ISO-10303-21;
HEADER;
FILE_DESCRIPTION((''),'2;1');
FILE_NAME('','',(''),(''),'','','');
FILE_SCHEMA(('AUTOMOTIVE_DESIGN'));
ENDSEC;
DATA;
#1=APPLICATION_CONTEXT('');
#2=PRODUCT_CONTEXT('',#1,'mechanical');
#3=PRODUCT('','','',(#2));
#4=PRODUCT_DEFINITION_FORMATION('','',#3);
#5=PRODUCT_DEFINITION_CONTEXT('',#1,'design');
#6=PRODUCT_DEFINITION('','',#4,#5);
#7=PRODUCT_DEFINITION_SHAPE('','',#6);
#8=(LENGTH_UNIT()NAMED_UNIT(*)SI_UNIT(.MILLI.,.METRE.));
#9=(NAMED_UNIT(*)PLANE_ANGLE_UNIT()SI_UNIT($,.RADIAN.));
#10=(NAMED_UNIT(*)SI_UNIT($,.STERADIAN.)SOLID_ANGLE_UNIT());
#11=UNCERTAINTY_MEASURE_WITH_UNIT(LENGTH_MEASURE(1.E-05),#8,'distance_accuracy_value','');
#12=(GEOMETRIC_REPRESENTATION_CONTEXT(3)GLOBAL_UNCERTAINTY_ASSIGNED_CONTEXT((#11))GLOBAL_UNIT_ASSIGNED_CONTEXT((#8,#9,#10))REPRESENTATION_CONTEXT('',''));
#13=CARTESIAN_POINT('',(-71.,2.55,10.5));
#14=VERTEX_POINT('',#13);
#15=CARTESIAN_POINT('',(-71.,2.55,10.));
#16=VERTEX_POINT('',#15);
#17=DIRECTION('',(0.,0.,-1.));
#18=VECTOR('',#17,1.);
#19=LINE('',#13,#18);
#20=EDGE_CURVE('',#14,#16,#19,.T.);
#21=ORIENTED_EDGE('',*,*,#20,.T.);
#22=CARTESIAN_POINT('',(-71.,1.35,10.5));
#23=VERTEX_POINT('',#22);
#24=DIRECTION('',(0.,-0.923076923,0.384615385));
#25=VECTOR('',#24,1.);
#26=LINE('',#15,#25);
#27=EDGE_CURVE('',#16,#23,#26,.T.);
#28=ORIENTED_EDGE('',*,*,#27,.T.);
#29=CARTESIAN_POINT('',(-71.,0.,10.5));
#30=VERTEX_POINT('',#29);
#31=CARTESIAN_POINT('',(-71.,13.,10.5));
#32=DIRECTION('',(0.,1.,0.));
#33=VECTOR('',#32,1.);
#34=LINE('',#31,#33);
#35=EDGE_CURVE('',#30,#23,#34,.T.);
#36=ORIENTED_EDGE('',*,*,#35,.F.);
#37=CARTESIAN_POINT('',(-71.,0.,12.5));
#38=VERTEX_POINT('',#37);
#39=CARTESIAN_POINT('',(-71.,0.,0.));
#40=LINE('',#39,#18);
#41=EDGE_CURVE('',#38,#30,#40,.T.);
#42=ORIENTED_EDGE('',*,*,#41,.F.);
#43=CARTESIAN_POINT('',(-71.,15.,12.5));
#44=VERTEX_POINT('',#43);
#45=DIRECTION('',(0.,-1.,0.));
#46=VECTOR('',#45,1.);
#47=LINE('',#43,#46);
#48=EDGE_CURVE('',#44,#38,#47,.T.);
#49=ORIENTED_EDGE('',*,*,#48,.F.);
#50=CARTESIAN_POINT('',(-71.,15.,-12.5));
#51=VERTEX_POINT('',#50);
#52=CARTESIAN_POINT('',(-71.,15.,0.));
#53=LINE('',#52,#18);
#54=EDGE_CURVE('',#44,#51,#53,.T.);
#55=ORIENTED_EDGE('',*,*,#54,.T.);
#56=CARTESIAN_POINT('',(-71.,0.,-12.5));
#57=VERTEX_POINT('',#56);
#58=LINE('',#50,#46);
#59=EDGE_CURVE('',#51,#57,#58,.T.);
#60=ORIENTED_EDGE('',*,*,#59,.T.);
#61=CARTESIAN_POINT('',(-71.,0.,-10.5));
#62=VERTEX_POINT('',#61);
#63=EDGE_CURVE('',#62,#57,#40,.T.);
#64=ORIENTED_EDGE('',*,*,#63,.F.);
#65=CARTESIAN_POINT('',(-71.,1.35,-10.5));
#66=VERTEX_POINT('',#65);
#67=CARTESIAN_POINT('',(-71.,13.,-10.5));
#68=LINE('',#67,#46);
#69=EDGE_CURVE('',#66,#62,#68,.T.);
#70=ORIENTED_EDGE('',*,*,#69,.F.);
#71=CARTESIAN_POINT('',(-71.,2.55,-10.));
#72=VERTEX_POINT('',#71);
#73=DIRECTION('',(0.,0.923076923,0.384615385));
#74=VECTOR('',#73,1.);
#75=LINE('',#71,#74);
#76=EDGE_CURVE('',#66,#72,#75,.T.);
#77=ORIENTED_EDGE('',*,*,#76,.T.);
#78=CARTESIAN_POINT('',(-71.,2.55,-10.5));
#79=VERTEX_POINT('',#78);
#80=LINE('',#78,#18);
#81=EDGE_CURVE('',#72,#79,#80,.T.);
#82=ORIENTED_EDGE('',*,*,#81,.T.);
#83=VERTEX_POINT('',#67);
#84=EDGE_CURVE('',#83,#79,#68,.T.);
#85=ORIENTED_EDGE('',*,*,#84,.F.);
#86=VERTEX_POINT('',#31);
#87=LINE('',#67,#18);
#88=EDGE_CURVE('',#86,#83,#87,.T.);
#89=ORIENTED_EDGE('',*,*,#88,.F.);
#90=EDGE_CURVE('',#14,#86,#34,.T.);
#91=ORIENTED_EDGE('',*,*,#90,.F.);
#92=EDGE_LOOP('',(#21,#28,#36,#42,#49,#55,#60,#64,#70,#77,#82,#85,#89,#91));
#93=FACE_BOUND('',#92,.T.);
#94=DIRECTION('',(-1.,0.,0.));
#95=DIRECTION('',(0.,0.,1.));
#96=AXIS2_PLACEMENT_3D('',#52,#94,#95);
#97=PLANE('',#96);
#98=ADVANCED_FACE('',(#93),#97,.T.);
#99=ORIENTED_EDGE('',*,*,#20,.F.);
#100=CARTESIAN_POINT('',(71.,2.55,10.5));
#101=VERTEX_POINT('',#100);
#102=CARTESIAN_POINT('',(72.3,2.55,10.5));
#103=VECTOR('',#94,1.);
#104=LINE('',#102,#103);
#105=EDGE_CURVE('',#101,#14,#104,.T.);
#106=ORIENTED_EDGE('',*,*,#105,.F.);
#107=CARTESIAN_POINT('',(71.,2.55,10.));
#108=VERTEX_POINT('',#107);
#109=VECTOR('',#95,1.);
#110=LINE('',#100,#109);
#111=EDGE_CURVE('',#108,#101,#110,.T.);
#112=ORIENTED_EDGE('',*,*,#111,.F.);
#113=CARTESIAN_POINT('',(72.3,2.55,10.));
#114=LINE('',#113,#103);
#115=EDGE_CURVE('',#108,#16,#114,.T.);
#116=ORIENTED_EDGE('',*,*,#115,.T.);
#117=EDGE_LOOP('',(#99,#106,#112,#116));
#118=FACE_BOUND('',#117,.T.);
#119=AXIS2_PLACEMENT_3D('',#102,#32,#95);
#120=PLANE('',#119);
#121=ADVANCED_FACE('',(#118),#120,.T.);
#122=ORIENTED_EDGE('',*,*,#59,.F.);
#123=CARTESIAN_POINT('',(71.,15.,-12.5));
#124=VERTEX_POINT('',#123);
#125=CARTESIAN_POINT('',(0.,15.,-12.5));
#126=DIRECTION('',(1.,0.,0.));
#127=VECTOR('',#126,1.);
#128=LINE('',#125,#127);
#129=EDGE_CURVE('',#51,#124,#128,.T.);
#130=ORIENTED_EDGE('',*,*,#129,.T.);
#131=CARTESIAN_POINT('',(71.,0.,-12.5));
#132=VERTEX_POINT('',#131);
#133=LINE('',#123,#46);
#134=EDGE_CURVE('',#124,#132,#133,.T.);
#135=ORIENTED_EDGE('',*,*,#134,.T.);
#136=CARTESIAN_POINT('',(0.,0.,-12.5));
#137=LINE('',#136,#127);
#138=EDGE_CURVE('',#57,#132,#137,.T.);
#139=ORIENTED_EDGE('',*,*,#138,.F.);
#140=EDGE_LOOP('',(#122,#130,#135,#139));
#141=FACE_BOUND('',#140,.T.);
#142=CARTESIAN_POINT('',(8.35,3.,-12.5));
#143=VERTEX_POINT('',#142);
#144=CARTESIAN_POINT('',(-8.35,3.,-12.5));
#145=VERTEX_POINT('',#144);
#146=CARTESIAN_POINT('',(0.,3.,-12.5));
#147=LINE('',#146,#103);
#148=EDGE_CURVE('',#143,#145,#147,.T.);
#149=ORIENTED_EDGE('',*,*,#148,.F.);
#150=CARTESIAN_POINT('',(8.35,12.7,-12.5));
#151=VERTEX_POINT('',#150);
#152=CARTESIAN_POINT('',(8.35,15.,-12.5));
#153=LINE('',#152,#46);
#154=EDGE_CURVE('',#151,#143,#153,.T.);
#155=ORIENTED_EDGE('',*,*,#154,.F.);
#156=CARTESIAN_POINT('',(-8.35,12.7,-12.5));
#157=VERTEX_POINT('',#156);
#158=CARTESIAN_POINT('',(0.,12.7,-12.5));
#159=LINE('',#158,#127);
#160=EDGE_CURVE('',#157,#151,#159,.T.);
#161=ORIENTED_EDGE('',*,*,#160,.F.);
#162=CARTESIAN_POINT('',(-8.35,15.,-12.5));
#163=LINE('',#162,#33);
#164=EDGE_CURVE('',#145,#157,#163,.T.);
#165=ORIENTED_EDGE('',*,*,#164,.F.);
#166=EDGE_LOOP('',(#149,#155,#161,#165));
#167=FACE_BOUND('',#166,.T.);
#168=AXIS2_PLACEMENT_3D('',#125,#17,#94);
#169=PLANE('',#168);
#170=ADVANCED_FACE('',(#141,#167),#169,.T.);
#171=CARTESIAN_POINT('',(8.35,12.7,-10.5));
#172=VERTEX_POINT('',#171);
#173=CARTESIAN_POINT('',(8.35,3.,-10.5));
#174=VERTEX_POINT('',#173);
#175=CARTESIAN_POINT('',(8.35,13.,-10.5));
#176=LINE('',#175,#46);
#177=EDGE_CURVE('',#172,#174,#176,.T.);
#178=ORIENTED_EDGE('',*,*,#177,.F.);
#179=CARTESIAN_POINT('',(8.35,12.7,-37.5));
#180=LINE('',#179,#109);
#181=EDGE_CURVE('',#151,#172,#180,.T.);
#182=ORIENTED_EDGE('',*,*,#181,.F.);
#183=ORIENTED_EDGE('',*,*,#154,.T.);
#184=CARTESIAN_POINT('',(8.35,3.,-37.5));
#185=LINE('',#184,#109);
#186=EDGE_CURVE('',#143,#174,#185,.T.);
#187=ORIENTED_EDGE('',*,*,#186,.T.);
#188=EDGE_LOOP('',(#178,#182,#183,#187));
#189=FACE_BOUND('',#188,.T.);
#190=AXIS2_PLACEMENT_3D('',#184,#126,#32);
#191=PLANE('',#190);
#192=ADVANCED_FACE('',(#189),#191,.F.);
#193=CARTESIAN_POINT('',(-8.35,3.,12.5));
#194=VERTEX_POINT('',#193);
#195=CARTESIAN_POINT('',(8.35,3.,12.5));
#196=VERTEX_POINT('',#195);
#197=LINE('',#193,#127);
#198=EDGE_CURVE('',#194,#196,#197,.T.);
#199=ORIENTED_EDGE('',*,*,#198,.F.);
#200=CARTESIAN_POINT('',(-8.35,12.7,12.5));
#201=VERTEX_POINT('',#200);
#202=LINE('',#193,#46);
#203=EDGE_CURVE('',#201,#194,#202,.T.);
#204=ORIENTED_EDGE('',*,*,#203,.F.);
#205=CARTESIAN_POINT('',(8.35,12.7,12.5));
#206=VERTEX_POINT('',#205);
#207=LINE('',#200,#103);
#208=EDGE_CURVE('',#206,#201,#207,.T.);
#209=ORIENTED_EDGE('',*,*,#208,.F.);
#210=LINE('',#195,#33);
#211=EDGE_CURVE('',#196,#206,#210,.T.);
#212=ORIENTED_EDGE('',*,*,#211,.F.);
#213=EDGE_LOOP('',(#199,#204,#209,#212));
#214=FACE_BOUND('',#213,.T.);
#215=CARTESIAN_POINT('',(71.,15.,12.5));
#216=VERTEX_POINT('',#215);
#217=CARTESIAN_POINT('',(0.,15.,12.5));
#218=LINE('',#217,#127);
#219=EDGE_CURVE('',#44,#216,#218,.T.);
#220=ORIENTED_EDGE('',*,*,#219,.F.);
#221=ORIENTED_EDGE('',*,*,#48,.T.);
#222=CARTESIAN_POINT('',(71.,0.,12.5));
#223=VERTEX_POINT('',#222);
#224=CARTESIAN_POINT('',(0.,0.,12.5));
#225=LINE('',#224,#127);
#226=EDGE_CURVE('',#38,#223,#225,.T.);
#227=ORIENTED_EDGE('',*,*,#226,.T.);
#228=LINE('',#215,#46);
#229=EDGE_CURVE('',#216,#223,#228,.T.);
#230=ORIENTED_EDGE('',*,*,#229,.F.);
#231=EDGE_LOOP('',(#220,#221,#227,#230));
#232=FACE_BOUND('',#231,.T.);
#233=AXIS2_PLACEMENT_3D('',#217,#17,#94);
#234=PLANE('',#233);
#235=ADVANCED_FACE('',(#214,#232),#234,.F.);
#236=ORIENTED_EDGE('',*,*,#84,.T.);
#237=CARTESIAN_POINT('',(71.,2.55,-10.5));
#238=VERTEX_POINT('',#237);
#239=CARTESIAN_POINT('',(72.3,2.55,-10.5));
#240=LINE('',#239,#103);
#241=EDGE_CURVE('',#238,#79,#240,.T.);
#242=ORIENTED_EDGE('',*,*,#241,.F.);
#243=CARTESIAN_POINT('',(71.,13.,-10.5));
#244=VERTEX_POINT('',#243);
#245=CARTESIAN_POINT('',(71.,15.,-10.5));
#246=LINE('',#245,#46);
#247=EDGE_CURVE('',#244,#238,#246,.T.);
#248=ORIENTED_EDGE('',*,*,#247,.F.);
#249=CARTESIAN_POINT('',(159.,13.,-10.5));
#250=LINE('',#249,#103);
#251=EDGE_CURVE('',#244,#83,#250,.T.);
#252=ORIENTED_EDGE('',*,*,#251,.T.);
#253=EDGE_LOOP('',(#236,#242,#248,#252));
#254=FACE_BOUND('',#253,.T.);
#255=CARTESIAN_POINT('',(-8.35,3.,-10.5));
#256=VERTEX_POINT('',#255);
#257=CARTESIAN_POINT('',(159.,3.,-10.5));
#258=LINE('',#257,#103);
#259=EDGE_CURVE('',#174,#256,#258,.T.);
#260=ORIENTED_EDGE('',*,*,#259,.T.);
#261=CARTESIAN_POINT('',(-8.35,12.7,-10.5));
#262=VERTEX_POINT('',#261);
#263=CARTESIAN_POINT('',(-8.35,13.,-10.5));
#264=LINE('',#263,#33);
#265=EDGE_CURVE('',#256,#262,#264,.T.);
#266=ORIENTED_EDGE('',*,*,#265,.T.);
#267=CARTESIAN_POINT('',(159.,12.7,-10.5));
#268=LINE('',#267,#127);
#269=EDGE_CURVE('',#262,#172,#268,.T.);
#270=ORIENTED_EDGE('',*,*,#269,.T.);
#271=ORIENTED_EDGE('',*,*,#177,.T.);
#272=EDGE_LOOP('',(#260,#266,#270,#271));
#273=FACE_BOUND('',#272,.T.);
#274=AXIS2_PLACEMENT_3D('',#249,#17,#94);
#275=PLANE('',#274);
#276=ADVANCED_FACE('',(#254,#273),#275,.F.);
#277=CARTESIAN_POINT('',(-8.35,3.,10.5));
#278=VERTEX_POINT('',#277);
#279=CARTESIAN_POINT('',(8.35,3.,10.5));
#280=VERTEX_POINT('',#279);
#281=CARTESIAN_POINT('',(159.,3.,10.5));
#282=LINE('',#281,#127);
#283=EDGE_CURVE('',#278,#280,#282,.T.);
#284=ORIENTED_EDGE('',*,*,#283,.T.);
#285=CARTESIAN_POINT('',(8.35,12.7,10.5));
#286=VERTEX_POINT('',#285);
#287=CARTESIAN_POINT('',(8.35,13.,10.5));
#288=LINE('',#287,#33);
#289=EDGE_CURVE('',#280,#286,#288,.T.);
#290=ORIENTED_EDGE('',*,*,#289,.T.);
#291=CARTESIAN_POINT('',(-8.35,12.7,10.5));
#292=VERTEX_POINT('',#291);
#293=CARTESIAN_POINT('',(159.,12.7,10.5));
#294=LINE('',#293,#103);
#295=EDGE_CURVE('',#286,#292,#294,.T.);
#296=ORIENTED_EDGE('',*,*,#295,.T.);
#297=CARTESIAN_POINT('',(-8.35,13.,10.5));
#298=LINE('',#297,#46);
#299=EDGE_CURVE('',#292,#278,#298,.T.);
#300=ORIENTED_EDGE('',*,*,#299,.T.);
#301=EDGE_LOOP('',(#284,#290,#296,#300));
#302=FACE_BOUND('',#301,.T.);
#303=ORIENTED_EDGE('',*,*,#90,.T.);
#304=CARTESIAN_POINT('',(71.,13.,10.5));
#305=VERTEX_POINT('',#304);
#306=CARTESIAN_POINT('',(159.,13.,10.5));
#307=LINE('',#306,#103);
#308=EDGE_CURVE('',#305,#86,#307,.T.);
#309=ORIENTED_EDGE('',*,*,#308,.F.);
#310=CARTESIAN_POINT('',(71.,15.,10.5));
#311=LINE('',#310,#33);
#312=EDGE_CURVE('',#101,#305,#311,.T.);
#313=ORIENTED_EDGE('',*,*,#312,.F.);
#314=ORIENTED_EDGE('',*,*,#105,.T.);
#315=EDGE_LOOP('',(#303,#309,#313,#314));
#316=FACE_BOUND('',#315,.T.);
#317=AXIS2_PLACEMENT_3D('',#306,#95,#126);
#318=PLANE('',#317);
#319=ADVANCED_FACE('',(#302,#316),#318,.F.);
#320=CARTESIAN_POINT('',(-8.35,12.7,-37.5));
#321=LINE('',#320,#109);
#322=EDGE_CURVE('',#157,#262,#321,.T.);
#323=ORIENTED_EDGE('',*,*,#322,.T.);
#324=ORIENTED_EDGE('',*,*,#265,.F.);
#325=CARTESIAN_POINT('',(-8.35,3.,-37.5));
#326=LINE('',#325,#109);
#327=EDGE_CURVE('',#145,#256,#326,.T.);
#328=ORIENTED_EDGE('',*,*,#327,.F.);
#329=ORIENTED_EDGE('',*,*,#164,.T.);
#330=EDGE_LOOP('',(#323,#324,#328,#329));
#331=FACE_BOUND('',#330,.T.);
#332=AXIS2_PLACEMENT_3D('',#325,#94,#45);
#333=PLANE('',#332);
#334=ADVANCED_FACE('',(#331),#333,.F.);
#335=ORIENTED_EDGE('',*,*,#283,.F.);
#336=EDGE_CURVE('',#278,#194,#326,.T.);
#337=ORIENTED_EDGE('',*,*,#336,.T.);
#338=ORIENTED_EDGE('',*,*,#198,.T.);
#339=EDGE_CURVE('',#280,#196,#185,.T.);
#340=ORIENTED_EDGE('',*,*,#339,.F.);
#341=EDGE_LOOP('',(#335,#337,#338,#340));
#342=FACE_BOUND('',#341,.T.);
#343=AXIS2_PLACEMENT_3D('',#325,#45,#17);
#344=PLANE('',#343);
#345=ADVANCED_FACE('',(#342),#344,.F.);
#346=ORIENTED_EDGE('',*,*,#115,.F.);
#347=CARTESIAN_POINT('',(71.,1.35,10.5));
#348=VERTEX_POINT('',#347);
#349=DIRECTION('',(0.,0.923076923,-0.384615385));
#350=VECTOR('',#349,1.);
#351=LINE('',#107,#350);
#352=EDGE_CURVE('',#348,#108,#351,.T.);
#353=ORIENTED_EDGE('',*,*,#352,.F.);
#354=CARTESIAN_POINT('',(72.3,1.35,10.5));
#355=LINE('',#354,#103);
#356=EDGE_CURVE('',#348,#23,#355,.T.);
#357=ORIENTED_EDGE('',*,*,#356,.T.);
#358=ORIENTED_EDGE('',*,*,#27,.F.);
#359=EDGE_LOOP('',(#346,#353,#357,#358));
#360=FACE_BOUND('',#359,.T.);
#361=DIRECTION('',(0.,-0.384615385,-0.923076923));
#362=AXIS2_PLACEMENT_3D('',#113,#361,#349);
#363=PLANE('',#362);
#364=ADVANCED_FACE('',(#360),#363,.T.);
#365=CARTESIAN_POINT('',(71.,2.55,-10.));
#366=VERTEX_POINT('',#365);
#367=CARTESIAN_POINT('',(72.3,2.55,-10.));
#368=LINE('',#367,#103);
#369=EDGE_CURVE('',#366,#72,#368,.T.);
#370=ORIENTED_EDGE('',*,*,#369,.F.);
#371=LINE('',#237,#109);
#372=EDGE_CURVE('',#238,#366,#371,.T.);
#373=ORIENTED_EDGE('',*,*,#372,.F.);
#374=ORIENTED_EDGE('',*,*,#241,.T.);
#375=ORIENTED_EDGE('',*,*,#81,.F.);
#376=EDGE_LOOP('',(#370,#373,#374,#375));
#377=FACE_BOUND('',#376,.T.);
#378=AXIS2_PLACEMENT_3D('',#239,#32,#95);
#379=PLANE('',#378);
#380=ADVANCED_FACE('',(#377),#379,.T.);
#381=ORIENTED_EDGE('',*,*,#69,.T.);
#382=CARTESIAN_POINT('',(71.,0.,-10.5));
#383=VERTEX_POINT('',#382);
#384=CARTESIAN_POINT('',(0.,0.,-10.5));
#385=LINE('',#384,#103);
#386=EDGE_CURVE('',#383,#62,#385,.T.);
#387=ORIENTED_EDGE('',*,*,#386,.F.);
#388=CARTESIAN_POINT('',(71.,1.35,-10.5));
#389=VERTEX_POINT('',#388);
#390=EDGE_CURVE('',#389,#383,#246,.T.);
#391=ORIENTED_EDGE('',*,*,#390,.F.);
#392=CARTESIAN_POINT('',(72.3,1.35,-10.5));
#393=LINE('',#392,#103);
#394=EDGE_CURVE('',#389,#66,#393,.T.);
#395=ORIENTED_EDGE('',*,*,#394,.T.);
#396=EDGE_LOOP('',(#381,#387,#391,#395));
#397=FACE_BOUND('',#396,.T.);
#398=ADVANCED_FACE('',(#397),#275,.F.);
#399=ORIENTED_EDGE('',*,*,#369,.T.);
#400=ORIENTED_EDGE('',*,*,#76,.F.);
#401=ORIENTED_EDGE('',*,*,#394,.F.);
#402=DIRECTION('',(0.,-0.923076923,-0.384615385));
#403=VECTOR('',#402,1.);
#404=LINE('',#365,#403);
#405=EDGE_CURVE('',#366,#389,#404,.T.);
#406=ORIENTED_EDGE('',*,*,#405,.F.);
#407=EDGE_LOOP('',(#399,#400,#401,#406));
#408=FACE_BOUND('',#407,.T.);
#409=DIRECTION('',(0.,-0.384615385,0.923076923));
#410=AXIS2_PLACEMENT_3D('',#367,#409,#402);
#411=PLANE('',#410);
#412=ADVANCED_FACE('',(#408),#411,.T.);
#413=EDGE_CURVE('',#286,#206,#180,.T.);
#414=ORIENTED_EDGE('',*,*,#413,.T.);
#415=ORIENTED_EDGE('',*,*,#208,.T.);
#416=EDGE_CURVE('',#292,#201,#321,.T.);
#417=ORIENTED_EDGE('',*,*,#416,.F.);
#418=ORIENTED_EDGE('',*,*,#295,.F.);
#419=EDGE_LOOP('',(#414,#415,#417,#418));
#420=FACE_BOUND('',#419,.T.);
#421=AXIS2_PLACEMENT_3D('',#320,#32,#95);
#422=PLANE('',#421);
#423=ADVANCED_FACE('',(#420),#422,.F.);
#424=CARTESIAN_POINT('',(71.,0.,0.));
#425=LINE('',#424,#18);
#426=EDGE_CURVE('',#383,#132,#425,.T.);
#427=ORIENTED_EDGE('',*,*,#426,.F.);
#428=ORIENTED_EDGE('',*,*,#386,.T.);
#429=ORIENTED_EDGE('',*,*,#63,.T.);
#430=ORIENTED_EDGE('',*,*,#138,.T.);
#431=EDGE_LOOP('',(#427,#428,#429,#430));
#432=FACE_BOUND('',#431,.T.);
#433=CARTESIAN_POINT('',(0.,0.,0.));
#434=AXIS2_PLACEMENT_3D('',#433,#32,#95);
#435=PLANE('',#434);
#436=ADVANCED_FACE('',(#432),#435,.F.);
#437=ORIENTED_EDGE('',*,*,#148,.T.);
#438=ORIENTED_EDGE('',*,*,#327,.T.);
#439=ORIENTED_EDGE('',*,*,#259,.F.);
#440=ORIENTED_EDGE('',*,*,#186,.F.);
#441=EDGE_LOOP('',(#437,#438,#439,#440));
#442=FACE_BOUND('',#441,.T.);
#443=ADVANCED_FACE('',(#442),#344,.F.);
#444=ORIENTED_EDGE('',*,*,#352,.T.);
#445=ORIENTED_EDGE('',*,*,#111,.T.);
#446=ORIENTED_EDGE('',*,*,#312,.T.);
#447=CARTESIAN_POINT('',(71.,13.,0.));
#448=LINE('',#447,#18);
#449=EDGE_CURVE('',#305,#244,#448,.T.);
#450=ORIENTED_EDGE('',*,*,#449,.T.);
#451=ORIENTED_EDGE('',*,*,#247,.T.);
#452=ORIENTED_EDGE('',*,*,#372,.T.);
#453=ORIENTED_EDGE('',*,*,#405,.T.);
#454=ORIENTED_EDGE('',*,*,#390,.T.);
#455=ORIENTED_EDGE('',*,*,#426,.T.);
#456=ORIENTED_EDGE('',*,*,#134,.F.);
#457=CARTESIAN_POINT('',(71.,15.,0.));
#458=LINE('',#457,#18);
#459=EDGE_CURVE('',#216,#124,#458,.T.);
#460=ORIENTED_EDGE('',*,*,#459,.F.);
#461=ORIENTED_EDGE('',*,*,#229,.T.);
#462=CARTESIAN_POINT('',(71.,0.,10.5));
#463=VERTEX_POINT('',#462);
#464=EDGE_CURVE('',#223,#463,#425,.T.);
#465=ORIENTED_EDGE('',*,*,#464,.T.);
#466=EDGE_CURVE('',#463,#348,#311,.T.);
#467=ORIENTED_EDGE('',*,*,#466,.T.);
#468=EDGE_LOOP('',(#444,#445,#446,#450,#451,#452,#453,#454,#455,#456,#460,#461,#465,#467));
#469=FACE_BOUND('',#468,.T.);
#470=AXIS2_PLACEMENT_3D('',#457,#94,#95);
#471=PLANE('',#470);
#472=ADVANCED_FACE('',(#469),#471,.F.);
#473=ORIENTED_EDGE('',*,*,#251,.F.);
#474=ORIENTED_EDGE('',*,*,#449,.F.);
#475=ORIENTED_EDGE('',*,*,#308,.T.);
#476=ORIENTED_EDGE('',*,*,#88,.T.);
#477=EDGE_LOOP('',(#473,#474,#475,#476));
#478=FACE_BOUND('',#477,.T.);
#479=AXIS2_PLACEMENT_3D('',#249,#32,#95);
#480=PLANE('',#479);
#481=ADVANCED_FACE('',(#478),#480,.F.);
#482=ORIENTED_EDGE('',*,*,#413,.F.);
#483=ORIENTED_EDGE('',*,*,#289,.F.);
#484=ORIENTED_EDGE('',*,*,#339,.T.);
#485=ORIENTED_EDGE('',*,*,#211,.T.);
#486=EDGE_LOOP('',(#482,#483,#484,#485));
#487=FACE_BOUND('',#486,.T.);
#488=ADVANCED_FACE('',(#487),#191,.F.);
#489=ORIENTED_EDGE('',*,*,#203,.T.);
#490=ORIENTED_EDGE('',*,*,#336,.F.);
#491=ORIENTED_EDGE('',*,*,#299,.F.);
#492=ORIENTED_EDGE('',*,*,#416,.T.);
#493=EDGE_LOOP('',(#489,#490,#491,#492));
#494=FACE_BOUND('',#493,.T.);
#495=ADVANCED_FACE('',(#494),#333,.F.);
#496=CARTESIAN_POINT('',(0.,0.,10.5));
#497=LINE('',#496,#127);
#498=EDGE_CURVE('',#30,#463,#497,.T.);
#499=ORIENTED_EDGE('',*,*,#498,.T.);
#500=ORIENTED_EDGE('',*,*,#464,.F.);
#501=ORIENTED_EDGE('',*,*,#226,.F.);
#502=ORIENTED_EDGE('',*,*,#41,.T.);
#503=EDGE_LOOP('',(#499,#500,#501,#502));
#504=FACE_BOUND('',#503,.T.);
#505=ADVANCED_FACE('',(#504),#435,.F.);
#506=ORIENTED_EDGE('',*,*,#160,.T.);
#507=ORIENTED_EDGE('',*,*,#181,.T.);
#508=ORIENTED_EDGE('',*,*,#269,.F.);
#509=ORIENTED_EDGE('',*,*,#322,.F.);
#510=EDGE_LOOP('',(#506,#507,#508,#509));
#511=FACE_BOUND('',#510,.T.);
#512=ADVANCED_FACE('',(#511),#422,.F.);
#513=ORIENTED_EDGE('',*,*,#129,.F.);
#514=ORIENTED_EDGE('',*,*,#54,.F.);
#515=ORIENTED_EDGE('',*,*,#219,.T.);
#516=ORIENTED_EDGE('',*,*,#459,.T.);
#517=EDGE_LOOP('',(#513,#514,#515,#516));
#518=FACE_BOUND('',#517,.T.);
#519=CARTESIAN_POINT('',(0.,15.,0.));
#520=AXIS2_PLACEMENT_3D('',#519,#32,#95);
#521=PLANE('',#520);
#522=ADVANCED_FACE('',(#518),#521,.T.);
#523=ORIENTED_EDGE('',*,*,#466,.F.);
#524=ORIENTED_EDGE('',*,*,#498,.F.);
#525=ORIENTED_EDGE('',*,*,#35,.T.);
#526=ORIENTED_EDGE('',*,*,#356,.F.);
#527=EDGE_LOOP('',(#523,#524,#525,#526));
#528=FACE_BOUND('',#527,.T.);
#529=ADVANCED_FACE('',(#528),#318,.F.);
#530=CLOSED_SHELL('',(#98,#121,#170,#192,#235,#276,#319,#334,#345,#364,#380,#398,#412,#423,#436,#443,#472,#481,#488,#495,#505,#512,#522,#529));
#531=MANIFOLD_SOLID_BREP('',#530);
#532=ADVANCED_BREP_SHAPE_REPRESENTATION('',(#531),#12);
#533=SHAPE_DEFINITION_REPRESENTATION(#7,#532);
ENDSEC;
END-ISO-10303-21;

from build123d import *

# Parameters (mm, degrees)
CROQUIS1_W              = 142
CROQUIS1_H              = 20.7
CROQUIS1_H_2            = 2.15
SALIENTE_EXTRUIR1_DEPTH = 15
CROQUIS2_W              = 21
CROQUIS2_H              = 13
CORTAR_EXTRUIR1_DEPTH   = 230
SALIENTE_EXTRUIR4_DEPTH = 142
CROQUIS12_W             = 16.7
CROQUIS12_H             = 9.7
CORTAR_EXTRUIR2_DEPTH   = 50


with BuildPart() as part:
    # Croquis1 → Saliente-Extruir1 (new body)
    with BuildSketch(Plane(origin=(0, 0, 0), x_dir=(1, 0, 0), z_dir=(0, 1, 0))):
        Rectangle(CROQUIS1_W, CROQUIS1_H)
        with Locations((0, 11.425)):
            Rectangle(CROQUIS1_W, CROQUIS1_H_2)
        with Locations((0, -11.425)):
            Rectangle(CROQUIS1_W, CROQUIS1_H_2)
    extrude(amount=SALIENTE_EXTRUIR1_DEPTH)

    # Croquis2 → Cortar-Extruir1 (cut)
    with BuildSketch(Plane.ZY.offset(71)):
        with Locations((0, 6.5)):
            Rectangle(CROQUIS2_W, CROQUIS2_H)
    extrude(amount=-CORTAR_EXTRUIR1_DEPTH, mode=Mode.SUBTRACT)

    # Croquis11 → Saliente-Extruir4 (add)
    with BuildSketch(Plane.ZY.offset(71)):
        Polygon((-10.5, 1.35), (-10.5, 2.55), (-10, 2.55), align=None)
        Polygon((10, 2.55), (10.5, 1.35), (10.5, 2.55), align=None)
    extrude(amount=-SALIENTE_EXTRUIR4_DEPTH)

    # Croquis12 → Cortar-Extruir2 (cut)
    with BuildSketch(Plane.XY.offset(12.5)):
        with Locations((0, 7.85)):
            Rectangle(CROQUIS12_W, CROQUIS12_H)
    extrude(amount=-CORTAR_EXTRUIR2_DEPTH, mode=Mode.SUBTRACT)


solid = part.part
